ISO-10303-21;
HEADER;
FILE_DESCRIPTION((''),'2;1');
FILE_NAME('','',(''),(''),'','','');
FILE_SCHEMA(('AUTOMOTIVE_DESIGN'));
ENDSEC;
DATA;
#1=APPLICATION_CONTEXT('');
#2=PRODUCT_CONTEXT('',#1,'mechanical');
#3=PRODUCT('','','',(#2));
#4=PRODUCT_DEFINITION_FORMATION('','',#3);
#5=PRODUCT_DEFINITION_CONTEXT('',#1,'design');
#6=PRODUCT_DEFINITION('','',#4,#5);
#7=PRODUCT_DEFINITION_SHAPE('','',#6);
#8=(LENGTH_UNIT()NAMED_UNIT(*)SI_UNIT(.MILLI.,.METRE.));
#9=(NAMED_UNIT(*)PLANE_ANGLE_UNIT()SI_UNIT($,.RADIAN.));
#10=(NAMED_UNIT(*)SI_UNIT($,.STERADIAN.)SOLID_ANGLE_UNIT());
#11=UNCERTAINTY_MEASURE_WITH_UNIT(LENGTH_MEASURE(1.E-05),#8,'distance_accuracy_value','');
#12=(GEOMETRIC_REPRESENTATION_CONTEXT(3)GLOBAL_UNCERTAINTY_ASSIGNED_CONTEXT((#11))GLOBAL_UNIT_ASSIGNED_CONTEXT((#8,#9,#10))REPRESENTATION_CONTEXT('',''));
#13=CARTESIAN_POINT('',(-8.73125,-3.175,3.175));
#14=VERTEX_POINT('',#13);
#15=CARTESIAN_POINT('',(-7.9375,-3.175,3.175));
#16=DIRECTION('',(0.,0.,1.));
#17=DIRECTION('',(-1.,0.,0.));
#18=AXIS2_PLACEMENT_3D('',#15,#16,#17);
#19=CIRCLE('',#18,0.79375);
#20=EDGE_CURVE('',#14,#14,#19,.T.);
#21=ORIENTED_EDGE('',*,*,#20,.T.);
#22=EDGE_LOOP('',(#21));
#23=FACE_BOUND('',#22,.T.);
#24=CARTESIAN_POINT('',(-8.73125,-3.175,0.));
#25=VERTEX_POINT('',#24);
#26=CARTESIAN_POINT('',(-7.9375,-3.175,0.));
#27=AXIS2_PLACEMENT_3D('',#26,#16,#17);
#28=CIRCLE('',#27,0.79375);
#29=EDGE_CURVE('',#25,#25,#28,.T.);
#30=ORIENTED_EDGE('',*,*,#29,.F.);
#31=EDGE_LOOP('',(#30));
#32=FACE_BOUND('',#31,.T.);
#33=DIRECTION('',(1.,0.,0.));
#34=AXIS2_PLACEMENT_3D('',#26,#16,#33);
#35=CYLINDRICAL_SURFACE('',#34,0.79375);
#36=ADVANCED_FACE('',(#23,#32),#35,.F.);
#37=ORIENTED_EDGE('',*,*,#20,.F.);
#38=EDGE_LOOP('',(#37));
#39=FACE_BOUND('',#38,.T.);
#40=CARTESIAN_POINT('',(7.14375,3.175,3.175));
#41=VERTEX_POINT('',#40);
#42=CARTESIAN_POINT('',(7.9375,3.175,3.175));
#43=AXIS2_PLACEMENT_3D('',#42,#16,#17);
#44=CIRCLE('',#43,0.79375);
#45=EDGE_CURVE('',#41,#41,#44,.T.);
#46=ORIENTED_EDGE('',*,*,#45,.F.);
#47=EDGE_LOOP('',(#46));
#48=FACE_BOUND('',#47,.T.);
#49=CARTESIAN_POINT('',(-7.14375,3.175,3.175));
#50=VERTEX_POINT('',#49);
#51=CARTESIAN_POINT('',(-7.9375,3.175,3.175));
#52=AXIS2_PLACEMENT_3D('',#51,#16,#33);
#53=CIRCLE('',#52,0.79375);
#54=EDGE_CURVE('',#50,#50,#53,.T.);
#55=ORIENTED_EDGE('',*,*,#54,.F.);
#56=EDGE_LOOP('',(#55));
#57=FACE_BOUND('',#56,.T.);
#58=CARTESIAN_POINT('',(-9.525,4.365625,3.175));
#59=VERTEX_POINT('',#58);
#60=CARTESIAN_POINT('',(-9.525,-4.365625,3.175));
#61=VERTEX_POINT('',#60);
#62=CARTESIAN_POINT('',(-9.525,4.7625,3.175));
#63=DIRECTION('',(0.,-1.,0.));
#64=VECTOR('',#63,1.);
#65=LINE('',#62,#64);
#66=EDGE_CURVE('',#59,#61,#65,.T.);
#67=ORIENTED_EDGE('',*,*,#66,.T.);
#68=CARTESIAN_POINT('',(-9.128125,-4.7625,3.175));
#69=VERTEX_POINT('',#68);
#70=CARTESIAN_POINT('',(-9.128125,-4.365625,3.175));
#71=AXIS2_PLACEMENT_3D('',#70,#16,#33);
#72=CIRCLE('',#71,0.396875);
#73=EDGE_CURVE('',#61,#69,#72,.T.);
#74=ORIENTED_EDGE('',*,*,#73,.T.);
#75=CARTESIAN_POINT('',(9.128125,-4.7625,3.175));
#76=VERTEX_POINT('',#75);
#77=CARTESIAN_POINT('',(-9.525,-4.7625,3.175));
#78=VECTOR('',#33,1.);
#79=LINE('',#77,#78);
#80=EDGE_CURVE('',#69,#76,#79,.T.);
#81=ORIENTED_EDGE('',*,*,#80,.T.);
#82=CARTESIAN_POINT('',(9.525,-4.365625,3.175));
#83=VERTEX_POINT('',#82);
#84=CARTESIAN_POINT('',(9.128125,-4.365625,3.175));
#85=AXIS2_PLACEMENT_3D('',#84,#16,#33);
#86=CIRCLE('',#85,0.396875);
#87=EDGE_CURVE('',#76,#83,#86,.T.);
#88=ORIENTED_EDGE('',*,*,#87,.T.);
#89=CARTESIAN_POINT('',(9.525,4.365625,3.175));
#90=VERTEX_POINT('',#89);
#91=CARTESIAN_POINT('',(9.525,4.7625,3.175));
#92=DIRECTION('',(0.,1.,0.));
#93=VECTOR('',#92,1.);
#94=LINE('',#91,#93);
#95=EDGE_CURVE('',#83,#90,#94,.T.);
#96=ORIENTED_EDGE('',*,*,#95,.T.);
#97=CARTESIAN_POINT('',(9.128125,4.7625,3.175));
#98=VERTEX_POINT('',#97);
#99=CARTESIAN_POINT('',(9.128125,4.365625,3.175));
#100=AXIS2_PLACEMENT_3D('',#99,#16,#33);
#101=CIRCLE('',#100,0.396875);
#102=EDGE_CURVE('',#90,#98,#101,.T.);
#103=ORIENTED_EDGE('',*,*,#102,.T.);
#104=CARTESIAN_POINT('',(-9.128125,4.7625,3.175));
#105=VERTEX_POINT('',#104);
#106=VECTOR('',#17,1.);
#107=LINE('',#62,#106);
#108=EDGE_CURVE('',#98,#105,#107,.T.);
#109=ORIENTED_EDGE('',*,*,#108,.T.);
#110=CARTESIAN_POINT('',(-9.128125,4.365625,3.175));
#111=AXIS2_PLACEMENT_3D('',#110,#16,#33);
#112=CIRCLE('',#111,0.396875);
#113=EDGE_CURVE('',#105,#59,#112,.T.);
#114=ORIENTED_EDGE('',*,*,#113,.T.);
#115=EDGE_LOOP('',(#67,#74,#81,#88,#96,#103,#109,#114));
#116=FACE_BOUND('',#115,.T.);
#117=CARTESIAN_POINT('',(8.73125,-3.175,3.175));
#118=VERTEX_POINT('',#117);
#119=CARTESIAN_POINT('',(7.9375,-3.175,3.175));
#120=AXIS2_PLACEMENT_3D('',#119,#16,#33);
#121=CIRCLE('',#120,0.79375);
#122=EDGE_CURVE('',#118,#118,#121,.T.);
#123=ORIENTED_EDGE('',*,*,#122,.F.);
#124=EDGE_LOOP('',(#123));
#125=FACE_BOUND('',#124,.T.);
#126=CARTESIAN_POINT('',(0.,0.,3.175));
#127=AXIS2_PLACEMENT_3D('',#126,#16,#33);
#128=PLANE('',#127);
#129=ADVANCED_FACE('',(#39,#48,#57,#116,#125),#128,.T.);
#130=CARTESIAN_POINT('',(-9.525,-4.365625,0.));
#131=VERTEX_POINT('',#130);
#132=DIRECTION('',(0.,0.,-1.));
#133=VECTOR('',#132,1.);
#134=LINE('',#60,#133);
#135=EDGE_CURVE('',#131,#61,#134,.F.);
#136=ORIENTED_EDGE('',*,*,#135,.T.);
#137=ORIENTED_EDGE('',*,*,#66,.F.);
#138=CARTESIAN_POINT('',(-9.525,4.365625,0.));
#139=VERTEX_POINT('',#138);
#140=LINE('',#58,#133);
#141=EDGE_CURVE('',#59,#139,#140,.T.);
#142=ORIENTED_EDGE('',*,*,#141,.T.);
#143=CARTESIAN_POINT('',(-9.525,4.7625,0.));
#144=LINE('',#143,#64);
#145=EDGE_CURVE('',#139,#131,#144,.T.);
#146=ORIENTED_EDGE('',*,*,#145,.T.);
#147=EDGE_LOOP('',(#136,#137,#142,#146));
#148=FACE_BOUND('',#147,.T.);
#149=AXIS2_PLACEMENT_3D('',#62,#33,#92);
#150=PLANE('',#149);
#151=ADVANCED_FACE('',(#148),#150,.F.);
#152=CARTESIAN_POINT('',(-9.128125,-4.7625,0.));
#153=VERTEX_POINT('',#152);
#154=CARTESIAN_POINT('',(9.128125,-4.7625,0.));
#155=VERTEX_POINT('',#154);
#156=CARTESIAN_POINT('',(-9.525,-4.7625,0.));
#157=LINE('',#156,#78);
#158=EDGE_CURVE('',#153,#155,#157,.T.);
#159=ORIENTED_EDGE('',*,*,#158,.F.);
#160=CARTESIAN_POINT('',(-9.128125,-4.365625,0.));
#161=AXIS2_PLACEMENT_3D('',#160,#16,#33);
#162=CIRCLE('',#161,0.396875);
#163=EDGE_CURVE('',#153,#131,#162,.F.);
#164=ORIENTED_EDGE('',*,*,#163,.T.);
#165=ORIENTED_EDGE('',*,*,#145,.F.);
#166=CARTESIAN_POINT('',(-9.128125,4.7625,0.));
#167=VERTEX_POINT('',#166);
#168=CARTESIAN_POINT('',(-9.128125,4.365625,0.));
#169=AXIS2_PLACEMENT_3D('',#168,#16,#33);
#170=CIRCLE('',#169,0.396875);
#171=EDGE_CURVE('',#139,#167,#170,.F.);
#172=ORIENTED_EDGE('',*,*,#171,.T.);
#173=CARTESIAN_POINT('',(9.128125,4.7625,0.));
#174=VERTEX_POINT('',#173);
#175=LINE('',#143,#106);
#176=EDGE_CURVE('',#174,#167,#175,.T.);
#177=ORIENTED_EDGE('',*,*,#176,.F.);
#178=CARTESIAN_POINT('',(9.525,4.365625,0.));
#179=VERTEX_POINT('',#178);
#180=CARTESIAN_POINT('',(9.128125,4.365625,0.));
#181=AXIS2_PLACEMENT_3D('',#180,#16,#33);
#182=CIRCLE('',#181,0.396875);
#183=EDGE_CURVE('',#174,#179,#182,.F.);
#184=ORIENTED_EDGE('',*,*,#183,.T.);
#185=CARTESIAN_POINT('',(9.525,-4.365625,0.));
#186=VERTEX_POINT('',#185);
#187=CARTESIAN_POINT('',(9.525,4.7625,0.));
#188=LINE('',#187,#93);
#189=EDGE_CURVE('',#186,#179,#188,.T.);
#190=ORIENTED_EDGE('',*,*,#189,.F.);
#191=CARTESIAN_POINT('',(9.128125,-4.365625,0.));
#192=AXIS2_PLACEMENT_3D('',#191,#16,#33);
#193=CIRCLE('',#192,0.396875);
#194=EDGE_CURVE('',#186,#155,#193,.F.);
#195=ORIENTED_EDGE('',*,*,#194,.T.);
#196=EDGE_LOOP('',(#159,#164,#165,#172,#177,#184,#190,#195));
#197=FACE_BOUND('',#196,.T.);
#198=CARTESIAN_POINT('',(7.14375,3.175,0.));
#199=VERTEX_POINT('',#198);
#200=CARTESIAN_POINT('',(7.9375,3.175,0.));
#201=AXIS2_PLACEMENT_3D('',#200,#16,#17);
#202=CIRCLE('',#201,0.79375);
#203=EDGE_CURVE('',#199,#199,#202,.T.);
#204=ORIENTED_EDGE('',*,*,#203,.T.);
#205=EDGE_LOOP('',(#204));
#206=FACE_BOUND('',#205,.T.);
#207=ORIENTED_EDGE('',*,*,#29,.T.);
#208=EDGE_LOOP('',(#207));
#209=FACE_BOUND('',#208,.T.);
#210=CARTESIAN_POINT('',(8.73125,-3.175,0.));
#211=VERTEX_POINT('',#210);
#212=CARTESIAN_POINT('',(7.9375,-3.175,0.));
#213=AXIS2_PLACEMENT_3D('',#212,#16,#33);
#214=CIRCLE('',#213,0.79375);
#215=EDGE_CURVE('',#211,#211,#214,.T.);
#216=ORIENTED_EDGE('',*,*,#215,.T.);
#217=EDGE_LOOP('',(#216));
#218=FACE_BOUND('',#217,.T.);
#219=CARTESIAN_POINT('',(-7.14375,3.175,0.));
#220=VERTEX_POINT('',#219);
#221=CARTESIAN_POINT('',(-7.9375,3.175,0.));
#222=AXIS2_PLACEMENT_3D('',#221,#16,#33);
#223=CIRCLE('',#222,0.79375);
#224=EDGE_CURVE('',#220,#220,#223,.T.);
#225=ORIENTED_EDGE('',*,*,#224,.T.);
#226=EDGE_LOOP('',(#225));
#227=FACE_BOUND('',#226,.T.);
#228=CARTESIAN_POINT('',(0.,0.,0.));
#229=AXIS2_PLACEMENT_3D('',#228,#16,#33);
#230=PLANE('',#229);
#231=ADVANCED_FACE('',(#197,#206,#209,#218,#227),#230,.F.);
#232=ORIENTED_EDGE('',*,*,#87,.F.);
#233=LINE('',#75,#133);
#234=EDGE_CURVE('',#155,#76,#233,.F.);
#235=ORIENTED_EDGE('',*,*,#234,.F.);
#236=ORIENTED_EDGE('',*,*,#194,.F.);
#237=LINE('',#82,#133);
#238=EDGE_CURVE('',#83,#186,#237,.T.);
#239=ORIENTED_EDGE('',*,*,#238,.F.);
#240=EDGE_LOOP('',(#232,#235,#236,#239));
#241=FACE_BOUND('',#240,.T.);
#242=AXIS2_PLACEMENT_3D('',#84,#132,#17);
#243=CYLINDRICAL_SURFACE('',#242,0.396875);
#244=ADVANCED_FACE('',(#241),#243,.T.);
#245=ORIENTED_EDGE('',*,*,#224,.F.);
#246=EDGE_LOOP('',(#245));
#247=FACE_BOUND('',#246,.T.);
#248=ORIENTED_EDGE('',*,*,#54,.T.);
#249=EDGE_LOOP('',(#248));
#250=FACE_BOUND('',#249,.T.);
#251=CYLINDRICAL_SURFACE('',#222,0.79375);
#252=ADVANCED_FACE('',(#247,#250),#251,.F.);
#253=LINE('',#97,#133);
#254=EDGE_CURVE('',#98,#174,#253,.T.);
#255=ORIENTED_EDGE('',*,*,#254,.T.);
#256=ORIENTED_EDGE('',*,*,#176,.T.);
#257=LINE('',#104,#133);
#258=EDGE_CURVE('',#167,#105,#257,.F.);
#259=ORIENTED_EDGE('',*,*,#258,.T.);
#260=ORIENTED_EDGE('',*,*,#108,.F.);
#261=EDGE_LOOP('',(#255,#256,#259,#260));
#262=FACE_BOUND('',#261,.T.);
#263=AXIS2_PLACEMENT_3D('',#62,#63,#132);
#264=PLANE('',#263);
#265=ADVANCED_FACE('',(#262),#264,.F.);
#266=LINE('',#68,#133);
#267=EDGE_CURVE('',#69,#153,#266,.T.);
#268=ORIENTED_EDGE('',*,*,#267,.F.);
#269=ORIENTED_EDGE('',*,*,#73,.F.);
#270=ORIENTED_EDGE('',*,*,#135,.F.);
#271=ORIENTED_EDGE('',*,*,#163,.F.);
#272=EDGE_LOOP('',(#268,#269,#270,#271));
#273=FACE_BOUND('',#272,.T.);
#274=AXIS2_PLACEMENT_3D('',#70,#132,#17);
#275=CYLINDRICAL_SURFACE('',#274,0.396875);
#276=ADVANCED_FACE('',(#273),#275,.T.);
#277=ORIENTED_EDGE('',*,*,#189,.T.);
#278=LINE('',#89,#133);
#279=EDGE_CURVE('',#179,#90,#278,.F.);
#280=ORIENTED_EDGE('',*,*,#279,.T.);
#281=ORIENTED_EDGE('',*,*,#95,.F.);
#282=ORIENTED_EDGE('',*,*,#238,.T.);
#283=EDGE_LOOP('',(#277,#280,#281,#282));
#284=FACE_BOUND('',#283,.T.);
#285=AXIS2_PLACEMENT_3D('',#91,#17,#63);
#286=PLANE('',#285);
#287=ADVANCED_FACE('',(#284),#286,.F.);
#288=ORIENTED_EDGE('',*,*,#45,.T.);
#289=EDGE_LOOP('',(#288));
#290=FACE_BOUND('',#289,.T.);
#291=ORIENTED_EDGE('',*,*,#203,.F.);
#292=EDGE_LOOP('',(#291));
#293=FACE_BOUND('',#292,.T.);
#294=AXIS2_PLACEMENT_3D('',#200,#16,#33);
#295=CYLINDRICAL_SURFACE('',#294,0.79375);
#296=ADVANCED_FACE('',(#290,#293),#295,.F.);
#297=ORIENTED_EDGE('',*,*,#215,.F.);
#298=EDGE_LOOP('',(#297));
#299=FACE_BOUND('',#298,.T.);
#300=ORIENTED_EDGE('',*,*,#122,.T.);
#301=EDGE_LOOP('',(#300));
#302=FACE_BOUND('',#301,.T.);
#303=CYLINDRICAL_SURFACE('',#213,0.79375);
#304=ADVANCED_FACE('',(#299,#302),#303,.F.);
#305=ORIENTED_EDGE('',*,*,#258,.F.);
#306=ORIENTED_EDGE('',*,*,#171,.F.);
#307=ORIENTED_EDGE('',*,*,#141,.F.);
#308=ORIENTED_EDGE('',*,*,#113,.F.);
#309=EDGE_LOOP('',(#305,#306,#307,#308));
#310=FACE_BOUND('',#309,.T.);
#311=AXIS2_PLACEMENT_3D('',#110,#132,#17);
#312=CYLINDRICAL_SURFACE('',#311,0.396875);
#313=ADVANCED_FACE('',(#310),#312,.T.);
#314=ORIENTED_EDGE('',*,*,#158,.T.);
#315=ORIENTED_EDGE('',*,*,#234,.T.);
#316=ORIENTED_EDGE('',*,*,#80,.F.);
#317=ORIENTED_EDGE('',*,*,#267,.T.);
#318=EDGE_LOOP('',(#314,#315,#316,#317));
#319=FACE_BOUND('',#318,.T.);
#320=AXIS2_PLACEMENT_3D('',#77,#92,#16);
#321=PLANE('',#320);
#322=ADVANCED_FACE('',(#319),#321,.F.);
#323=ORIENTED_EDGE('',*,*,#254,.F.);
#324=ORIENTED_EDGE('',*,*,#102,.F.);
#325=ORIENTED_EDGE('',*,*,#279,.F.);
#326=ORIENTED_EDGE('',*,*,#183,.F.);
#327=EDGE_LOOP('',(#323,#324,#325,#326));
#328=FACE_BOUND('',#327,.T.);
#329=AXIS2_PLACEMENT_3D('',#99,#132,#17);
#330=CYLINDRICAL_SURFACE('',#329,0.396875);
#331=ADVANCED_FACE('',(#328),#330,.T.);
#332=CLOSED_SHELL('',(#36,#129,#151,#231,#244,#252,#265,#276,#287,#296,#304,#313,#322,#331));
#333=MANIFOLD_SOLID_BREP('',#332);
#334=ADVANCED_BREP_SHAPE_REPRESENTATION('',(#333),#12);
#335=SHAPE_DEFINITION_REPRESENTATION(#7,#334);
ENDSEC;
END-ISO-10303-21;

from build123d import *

# Parameters (mm, degrees)
SKETCH2_W           = 19.05
SKETCH2_H           = 9.525
BOSS_EXTRUDE1_DEPTH = 3.175
SKETCH3_R           = 0.79375
CUT_EXTRUDE1_DEPTH  = 12.1125
FILLET1_R           = 0.396875


with BuildPart() as part:
    # Sketch2 → Boss-Extrude1 (new body)
    with BuildSketch(Plane.XY):
        Rectangle(SKETCH2_W, SKETCH2_H)
    extrude(amount=BOSS_EXTRUDE1_DEPTH)

    # Sketch3 → Cut-Extrude1 (cut, through all)
    with BuildSketch(Plane.XY.offset(3.175)):
        with Locations((-7.9375, 3.175)):
            Circle(SKETCH3_R)
        with Locations(Location((-7.9375, -3.175, 0), (0, 0, 180))):
            Circle(SKETCH3_R)
        with Locations((7.9375, -3.175)):
            Circle(SKETCH3_R)
        with Locations(Location((7.9375, 3.175, 0), (0, 0, 180))):
            Circle(SKETCH3_R)
    extrude(amount=-CUT_EXTRUDE1_DEPTH, mode=Mode.SUBTRACT)

    # Fillet1
    fillet1_edges = [part.edges().sort_by_distance(p)[0] for p in [
        (9.525, -4.7625, 1.5875),
        (-9.525, -4.7625, 1.5875),
        (-9.525, 4.7625, 1.5875),
        (9.525, 4.7625, 1.5875),
    ]]
    fillet(fillet1_edges, radius=FILLET1_R)


solid = part.part
